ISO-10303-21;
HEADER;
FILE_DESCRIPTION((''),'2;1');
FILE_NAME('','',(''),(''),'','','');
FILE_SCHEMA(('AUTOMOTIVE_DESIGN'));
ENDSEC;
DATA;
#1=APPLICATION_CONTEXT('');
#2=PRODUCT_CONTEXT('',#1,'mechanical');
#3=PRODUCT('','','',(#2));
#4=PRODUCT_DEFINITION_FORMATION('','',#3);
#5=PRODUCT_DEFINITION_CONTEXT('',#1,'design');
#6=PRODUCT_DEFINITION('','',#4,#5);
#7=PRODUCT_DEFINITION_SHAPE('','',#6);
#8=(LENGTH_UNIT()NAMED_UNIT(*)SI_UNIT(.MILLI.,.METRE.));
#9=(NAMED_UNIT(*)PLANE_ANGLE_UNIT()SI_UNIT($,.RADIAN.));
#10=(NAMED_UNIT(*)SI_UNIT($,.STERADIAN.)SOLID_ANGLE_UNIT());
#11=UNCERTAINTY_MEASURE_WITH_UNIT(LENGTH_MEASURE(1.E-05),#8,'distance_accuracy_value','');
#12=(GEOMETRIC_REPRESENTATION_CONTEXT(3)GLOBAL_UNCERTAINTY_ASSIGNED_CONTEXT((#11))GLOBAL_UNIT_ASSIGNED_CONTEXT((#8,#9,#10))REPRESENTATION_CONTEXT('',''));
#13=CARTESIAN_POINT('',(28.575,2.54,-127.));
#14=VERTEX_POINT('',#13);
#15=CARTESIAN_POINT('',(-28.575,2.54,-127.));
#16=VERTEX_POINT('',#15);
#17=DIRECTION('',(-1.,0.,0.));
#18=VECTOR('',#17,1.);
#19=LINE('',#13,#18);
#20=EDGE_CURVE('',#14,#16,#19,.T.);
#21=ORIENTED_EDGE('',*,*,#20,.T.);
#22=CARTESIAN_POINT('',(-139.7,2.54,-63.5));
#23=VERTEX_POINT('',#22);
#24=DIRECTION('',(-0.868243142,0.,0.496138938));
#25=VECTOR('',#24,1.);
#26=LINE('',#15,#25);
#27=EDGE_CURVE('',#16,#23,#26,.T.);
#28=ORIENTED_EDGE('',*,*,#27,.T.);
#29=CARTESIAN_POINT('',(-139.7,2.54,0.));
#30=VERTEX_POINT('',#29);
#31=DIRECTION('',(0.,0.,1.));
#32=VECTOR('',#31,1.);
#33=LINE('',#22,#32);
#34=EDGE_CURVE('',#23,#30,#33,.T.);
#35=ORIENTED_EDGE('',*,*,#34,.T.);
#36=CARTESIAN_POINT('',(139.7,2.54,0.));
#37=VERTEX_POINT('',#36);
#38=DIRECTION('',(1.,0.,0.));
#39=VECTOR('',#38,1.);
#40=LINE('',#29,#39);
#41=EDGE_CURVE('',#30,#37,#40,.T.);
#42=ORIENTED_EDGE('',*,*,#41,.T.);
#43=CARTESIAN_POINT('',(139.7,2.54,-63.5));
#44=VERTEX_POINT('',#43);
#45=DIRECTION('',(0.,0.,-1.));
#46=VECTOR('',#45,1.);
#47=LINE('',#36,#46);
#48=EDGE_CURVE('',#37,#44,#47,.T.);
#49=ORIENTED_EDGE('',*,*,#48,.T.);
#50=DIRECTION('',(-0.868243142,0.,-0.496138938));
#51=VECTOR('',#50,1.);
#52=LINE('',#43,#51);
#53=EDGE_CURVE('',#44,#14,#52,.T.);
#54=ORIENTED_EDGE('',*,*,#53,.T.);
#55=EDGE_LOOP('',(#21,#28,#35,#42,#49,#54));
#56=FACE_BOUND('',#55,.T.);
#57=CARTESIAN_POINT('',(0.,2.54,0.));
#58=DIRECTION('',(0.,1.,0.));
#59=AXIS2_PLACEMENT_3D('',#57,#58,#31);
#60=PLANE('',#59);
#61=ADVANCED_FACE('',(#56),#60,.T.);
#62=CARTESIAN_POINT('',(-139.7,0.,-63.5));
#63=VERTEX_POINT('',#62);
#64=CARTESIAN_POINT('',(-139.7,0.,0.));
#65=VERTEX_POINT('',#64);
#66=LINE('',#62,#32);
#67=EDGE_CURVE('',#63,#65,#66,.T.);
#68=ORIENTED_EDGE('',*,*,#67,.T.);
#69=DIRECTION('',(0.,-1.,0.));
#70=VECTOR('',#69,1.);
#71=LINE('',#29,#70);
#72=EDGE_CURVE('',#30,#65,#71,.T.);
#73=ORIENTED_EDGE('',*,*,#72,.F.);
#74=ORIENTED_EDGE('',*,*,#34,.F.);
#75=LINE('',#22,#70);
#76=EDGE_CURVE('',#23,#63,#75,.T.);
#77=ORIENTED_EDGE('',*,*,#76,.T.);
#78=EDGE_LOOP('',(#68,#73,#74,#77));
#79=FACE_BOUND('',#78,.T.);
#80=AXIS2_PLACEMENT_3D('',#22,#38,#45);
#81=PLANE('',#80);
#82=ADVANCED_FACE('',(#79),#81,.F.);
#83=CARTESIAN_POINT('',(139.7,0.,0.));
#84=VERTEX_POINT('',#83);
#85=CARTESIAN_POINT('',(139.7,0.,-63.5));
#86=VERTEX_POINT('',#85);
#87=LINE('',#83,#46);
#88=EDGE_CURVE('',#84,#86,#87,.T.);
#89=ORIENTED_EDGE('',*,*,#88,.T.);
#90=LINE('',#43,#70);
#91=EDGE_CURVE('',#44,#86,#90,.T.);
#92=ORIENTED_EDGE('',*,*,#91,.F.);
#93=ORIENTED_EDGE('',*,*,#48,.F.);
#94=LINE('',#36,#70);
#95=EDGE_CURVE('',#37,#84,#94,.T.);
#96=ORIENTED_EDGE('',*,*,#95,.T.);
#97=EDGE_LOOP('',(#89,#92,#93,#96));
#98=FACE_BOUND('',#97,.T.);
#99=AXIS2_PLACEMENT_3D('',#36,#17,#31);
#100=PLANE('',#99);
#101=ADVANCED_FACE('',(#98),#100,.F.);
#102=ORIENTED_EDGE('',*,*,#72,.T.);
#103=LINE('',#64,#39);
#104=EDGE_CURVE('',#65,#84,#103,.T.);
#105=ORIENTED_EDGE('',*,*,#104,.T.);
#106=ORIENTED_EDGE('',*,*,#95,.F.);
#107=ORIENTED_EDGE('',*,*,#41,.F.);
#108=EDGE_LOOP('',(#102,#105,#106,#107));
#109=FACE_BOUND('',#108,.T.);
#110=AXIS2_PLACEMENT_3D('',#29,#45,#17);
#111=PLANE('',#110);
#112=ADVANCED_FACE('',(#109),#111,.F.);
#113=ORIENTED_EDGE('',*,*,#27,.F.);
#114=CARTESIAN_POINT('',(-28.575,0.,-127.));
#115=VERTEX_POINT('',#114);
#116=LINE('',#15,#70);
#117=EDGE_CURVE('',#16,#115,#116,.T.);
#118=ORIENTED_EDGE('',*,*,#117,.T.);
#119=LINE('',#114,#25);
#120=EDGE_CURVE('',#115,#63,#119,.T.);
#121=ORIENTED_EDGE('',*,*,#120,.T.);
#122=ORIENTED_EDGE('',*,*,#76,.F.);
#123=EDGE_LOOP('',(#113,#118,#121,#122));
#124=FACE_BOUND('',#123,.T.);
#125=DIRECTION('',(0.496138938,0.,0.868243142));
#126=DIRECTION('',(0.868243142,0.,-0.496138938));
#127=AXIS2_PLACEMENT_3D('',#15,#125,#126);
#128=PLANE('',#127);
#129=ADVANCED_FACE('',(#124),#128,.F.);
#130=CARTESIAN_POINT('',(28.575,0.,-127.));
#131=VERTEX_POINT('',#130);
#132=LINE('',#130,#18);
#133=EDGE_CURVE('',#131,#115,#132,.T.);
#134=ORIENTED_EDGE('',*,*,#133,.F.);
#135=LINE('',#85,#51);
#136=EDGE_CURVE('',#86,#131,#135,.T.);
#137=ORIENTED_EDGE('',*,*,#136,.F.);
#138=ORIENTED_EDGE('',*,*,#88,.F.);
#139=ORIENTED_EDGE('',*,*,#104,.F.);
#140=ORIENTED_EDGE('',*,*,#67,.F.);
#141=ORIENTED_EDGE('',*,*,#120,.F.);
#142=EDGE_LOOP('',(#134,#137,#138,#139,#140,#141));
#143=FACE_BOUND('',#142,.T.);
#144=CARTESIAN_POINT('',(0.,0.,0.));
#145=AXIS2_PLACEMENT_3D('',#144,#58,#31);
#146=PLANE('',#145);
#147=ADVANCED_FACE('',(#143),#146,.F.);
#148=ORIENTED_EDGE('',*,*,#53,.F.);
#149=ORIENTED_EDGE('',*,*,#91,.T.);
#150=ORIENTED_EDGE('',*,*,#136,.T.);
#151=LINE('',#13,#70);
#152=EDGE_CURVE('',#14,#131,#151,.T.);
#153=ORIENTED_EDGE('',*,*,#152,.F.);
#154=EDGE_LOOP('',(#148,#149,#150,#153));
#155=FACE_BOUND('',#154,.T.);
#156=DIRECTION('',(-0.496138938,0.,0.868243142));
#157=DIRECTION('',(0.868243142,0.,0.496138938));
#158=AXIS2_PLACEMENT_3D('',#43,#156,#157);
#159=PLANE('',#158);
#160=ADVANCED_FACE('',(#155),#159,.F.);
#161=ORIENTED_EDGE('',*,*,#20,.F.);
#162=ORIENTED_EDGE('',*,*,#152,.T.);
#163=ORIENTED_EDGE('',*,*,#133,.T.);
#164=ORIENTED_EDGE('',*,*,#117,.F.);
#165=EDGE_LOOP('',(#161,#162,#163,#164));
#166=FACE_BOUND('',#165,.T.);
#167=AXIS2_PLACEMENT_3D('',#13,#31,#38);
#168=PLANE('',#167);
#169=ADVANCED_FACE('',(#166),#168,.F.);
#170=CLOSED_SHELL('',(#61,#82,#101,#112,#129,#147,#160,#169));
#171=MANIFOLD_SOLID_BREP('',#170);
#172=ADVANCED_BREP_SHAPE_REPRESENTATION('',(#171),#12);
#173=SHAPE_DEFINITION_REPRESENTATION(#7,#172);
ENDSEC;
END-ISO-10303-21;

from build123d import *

# Parameters (mm, degrees)
BOSS_EXTRUDE1_DEPTH = 2.54


with BuildPart() as part:
    # Sketch1 → Boss-Extrude1 (new body)
    with BuildSketch(Plane(origin=(0, 0, 0), x_dir=(1, 0, 0), z_dir=(0, 1, 0))):
        Polygon((-139.7, 0), (139.7, 0), (139.7, 63.5), (28.575, 127), (-28.575, 127), (-139.7, 63.5), align=None)
    extrude(amount=BOSS_EXTRUDE1_DEPTH)


solid = part.part
